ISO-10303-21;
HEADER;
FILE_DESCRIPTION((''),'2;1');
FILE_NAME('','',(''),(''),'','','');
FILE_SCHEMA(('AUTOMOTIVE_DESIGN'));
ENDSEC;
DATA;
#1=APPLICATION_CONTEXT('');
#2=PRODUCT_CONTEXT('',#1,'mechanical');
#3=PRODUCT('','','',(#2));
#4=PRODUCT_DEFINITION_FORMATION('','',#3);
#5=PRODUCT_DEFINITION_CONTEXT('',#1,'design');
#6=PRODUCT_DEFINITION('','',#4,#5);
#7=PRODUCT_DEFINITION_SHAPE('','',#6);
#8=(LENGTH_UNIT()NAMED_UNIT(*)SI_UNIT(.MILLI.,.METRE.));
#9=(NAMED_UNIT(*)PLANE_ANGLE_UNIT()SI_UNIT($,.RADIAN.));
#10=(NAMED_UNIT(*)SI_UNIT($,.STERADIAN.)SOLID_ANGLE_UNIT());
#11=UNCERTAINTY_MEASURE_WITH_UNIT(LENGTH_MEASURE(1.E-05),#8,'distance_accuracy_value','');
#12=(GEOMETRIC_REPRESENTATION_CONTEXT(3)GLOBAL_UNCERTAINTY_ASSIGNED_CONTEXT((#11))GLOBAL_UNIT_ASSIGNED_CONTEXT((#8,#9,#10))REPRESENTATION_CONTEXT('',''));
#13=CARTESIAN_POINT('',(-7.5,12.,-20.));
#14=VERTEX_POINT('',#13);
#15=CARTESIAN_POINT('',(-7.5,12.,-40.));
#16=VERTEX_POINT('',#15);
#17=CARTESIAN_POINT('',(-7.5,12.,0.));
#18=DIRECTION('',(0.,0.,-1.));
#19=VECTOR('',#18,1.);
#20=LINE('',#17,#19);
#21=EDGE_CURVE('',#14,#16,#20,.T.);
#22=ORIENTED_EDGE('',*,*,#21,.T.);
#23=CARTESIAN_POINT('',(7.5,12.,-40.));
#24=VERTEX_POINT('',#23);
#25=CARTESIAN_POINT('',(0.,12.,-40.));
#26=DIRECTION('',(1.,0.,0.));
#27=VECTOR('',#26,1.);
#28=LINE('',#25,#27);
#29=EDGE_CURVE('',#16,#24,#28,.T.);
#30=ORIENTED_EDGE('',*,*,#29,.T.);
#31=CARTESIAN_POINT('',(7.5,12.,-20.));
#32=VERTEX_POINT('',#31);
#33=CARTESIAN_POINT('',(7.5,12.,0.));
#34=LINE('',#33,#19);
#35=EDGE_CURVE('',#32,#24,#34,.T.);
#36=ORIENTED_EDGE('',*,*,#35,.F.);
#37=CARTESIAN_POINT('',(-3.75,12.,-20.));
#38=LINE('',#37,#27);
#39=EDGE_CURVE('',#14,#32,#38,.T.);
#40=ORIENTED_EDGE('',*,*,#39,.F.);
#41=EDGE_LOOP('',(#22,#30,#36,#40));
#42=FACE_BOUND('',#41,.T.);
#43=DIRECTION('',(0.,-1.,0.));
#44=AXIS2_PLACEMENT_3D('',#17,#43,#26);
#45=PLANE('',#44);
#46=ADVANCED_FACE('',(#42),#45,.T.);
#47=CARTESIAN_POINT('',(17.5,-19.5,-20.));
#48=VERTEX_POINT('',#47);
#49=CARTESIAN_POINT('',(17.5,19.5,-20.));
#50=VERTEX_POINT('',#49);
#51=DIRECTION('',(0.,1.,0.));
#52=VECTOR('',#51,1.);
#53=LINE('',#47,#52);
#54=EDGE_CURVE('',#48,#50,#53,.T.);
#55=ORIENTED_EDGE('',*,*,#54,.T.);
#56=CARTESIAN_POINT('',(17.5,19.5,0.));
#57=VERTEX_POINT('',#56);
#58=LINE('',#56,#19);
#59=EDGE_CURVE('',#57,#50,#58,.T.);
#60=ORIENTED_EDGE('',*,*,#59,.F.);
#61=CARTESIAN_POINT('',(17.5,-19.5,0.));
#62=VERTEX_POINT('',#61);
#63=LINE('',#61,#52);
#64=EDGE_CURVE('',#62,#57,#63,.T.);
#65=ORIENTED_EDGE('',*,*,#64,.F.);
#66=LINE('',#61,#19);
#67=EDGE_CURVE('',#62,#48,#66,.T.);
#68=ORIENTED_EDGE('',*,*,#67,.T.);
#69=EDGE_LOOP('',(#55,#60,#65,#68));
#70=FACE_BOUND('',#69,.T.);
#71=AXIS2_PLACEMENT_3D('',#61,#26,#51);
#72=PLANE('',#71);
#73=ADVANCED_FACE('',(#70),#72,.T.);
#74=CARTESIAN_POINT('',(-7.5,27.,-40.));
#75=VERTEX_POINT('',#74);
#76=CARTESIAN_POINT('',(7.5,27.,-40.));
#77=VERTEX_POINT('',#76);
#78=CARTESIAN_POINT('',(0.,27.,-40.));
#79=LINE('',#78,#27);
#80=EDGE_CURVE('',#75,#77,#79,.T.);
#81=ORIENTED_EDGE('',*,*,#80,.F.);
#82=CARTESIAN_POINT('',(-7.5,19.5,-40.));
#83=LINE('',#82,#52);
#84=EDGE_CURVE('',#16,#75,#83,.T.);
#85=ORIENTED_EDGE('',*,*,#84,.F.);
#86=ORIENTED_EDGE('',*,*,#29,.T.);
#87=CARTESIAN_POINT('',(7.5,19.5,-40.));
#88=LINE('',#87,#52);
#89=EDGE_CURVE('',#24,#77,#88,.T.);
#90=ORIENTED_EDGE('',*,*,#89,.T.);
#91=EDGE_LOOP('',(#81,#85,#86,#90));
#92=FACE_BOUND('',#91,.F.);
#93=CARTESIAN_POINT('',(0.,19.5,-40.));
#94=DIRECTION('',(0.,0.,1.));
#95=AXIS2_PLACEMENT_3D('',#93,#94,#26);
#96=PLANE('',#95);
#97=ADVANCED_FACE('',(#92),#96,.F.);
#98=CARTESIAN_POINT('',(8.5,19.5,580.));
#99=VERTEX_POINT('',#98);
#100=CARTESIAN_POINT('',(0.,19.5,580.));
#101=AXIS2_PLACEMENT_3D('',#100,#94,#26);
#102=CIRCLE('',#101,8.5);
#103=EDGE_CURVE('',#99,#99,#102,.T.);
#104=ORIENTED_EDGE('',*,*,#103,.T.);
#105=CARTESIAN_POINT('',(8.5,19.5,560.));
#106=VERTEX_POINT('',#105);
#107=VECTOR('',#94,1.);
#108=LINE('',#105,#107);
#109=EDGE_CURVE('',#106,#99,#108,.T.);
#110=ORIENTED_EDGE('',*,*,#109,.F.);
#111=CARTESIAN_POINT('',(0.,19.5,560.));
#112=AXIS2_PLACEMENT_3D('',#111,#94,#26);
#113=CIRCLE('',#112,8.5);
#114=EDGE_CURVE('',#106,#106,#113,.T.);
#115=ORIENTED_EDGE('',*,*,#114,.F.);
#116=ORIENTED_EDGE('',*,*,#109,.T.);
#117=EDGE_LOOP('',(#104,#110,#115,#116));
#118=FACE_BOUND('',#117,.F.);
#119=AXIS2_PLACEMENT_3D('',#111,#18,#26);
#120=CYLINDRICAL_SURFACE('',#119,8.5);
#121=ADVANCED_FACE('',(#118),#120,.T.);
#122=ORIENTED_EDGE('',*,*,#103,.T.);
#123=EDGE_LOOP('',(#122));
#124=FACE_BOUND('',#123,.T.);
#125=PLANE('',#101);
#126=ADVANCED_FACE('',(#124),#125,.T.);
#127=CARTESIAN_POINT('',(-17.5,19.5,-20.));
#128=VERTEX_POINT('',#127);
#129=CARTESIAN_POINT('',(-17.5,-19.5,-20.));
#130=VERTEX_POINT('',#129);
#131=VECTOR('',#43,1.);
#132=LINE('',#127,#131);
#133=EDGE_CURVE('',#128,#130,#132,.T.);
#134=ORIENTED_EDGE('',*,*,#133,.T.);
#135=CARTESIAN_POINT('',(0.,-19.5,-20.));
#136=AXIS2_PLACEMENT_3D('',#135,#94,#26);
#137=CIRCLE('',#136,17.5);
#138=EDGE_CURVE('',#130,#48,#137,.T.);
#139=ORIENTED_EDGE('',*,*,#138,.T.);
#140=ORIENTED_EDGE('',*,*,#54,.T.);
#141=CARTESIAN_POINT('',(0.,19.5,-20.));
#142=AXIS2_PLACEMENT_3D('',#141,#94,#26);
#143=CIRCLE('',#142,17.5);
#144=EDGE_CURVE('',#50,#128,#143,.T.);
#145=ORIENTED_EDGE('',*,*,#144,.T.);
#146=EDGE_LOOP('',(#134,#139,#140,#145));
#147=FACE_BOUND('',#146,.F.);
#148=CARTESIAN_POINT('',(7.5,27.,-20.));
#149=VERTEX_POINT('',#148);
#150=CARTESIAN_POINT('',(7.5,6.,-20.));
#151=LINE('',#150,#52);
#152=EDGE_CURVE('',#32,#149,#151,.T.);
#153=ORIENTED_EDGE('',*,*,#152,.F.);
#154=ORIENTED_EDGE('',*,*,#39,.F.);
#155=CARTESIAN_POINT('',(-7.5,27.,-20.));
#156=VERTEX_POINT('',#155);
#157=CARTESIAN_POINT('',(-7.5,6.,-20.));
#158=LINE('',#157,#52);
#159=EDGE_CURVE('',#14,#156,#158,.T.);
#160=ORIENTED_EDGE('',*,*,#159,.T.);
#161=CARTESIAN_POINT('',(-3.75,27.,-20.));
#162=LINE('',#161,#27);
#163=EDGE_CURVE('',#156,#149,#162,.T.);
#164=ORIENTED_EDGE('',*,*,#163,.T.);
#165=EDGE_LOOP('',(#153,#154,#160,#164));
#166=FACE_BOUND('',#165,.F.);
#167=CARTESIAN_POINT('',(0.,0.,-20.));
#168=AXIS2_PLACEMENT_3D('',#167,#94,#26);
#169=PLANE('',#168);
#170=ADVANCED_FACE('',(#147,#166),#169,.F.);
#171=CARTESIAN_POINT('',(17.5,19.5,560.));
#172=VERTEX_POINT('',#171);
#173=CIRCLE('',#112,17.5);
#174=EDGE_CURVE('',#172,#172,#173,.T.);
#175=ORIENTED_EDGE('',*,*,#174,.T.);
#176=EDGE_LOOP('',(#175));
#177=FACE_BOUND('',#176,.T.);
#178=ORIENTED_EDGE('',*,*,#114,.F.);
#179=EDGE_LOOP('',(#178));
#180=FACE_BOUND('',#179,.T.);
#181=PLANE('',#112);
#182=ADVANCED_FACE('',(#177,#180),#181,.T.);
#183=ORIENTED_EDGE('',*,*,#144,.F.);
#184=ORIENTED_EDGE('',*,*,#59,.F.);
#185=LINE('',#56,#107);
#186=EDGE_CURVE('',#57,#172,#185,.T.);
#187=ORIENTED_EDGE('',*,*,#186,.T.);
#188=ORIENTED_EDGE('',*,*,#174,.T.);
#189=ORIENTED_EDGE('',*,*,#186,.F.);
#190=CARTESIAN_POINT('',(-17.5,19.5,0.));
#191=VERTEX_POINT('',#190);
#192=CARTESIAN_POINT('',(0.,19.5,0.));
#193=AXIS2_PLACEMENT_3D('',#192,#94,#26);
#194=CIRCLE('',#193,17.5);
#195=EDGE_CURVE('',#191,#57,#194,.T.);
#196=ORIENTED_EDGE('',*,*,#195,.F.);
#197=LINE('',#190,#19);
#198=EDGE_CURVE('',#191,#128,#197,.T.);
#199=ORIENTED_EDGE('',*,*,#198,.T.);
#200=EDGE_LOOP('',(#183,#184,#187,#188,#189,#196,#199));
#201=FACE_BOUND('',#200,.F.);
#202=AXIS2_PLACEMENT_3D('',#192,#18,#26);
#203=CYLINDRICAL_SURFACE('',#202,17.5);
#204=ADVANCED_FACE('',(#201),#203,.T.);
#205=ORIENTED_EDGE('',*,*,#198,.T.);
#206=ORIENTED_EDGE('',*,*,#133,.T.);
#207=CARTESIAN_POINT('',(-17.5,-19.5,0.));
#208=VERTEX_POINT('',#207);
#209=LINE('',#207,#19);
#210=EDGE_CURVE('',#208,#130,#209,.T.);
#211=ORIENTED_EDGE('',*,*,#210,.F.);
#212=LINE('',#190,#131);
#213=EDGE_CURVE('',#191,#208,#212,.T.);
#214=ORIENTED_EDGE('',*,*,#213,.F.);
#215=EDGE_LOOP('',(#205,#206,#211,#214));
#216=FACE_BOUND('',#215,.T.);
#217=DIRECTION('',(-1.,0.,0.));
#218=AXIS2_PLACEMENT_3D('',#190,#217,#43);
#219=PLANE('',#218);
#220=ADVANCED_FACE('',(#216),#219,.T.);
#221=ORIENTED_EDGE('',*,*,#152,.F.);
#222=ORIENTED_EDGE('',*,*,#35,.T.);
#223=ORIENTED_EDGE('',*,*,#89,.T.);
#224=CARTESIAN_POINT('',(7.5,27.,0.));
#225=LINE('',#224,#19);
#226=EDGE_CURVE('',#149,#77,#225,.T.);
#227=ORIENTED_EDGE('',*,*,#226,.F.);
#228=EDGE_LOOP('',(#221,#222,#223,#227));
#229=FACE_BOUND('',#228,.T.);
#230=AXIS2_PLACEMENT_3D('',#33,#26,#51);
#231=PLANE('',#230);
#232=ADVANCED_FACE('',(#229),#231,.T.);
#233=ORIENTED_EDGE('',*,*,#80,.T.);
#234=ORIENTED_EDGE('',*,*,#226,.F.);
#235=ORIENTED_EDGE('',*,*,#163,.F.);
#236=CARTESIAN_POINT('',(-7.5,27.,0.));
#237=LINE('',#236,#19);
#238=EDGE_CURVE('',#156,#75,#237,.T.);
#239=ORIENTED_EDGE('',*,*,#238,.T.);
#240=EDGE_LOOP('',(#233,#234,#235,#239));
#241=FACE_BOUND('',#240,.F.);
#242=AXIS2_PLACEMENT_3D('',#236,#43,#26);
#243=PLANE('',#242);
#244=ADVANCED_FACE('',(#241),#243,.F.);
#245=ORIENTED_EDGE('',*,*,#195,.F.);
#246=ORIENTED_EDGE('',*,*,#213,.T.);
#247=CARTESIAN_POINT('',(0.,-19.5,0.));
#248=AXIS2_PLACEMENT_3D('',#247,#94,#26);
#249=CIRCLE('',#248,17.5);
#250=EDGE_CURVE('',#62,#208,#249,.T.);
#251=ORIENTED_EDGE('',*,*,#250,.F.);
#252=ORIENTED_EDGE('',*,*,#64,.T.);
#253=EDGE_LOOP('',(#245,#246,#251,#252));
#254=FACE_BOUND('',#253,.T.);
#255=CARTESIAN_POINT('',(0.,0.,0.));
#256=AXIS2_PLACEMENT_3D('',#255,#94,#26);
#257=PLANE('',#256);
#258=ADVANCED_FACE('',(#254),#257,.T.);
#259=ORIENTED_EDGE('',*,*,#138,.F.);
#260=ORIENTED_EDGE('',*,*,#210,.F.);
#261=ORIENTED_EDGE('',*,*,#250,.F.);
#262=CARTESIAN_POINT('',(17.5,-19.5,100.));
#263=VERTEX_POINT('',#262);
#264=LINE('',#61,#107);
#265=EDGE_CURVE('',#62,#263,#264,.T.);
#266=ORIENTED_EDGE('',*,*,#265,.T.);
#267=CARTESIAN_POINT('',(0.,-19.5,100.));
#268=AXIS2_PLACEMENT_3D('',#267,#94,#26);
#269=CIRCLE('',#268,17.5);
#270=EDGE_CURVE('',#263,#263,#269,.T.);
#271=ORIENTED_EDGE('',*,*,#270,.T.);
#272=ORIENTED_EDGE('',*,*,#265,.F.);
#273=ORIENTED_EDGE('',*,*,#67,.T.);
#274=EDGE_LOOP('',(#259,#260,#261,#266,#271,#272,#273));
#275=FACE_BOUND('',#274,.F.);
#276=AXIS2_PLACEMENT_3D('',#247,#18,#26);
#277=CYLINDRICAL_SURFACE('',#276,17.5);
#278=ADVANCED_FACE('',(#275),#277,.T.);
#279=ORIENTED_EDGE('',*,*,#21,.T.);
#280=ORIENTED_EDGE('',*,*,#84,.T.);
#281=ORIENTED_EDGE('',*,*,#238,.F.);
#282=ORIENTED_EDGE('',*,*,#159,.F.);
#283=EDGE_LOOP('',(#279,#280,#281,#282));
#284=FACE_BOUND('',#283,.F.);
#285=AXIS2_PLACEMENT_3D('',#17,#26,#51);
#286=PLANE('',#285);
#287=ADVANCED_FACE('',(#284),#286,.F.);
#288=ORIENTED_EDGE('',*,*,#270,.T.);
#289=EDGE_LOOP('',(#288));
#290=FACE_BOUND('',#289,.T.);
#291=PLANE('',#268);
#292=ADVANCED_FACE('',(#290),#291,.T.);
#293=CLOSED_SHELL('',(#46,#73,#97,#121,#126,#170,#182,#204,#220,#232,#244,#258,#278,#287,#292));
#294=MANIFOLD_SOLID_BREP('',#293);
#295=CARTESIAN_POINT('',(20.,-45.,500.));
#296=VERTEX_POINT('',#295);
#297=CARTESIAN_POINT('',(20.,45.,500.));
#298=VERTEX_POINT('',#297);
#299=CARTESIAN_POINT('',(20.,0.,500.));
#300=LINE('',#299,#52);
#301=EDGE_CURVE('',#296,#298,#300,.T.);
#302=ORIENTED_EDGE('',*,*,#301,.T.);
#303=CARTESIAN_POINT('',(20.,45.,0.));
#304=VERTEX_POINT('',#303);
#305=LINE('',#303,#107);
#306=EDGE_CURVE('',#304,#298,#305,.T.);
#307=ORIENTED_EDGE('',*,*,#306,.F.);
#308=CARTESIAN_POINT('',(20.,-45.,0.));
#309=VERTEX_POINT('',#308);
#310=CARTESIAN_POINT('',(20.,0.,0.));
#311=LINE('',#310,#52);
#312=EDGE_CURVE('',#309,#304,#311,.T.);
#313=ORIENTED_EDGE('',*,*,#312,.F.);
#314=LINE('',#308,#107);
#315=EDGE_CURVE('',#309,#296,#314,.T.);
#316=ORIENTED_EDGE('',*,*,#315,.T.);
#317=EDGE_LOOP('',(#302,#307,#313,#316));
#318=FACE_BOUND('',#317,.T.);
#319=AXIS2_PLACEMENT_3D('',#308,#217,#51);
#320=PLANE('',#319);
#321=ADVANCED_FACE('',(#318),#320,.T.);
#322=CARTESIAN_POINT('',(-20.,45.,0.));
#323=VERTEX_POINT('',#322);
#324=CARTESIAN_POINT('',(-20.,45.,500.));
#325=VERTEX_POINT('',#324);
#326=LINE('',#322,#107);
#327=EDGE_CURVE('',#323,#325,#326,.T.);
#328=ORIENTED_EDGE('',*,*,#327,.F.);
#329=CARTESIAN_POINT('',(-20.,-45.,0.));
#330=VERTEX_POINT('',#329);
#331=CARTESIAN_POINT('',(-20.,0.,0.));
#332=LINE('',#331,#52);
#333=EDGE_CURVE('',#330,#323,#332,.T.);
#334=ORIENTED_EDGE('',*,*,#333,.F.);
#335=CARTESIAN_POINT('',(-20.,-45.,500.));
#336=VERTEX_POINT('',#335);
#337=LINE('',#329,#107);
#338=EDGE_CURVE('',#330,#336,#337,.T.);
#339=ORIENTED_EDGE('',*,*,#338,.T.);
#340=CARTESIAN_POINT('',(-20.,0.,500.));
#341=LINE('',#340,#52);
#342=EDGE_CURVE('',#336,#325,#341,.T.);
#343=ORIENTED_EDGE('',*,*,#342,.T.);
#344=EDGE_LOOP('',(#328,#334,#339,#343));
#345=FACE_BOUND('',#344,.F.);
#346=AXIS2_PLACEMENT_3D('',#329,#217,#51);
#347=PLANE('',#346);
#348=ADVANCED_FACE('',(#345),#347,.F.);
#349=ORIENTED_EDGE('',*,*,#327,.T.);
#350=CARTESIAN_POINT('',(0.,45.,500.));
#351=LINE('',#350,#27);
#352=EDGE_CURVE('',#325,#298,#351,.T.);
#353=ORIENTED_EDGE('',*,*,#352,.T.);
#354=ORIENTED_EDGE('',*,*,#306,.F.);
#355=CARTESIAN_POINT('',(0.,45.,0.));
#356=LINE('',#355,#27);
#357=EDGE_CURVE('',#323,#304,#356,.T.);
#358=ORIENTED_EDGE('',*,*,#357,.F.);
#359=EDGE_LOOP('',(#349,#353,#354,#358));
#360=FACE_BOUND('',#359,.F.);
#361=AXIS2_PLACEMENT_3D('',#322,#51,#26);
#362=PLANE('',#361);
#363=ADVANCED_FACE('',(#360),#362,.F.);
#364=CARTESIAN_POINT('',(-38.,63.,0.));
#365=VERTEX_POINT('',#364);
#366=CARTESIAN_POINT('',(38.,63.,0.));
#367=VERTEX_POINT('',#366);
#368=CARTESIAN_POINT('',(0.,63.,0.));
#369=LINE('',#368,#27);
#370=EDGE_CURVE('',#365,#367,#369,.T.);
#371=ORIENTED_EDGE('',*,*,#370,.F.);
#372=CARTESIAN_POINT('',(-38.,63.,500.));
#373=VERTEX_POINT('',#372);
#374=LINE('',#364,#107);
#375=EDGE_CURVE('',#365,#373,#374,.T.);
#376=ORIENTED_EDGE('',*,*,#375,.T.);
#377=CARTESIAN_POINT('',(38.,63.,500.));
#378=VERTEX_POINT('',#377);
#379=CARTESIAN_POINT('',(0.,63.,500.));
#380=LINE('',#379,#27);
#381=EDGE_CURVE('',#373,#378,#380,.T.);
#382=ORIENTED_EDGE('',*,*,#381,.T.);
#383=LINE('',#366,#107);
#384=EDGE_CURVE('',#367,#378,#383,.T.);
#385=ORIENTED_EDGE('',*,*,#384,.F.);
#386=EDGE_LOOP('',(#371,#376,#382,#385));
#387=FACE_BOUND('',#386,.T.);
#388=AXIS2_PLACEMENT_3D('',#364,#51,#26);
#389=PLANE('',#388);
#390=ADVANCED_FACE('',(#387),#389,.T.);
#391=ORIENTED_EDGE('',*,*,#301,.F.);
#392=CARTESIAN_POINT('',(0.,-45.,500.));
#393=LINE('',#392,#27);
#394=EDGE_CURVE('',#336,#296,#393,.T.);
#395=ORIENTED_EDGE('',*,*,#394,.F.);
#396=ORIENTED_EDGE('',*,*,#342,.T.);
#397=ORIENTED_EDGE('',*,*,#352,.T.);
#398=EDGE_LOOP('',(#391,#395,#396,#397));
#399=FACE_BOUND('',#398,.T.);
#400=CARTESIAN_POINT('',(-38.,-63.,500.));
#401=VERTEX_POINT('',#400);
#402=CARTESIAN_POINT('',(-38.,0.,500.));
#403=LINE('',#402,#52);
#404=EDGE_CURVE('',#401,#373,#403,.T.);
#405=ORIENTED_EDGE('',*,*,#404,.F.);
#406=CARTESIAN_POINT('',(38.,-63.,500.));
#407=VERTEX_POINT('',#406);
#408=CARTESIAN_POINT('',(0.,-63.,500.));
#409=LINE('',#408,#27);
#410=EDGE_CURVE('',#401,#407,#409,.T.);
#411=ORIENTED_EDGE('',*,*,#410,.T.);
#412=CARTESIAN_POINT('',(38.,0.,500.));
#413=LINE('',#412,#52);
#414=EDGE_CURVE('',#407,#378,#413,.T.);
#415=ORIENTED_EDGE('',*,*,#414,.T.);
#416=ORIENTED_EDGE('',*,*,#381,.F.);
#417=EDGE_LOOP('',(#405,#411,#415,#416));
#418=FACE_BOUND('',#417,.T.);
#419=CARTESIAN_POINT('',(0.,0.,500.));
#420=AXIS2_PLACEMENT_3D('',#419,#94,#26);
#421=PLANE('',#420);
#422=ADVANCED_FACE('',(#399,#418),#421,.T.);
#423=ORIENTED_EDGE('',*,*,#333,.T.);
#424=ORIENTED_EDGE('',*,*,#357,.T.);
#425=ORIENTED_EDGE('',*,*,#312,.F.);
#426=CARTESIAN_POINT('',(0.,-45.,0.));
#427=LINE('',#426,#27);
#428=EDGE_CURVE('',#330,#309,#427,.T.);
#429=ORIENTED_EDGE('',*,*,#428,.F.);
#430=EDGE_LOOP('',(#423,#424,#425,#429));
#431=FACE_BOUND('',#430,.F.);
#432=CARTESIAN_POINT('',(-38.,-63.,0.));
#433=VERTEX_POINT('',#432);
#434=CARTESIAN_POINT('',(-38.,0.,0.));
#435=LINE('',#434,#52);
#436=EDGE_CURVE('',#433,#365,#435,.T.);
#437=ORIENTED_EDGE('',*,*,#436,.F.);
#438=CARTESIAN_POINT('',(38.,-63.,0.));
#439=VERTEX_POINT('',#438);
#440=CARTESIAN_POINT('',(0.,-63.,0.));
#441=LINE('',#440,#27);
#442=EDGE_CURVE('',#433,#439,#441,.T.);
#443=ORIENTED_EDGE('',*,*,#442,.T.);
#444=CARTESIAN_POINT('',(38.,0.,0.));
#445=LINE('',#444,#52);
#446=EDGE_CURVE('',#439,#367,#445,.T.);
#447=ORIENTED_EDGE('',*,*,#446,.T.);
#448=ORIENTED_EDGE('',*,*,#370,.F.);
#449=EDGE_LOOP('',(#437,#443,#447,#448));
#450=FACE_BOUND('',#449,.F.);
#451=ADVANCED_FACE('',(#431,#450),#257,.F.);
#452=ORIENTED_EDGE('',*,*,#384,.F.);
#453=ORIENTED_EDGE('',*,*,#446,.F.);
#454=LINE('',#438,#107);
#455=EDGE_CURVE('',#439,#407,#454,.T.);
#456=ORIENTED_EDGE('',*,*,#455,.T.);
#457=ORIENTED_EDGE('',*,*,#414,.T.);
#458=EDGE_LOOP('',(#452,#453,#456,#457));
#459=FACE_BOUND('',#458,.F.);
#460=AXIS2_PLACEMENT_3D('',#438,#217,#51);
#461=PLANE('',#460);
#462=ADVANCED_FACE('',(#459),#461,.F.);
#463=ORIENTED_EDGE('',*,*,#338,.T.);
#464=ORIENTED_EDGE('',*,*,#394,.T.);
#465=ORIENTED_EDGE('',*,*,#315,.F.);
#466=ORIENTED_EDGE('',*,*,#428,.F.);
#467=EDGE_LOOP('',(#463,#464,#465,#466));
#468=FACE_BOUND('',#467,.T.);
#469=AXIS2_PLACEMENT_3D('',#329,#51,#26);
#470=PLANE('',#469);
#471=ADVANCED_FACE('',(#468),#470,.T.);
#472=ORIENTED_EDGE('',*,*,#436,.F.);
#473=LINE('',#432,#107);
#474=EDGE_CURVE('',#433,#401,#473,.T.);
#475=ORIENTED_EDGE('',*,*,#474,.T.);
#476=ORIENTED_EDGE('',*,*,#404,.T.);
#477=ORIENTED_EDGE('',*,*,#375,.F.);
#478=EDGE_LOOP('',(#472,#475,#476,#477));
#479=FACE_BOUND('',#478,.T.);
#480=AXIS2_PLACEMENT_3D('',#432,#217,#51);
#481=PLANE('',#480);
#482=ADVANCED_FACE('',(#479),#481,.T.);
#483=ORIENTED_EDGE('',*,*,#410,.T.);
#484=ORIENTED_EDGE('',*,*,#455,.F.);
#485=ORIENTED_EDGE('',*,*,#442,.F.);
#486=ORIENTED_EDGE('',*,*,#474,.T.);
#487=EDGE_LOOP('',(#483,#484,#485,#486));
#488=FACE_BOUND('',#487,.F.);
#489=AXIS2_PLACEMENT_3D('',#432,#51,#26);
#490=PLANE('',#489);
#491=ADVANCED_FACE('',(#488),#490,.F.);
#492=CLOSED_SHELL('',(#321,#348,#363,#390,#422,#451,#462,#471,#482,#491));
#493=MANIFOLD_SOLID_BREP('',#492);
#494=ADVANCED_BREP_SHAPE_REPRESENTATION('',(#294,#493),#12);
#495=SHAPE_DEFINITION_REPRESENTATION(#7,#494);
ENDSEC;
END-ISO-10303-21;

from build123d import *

# Parameters (mm, degrees)
F1_W     = 15
F1_H     = 15
F2_DEPTH = 20
F3_DEPTH = 100
F4_DEPTH = 560
F5_DEPTH = 40
F6_R     = 8.5
F7_DEPTH = 20
F0_W     = 76
F0_H     = 126
F0_W_2   = 40
F0_H_2   = 90
F8_DEPTH = 500


with BuildPart() as f2:
    # F1 (on Top) → F2 (new body)
    with BuildSketch(Plane.XY):
        with BuildLine():
            ThreePointArc((-17.5, -19.5), (0, -2), (17.5, -19.5))
            Line((17.5, -19.5), (17.5, 19.5))
            ThreePointArc((17.5, 19.5), (0, 2), (-17.5, 19.5))
            Line((-17.5, 19.5), (-17.5, -19.5))
        make_face()
        with BuildLine():
            ThreePointArc((-17.5, 19.5), (0, 2), (17.5, 19.5))
            ThreePointArc((17.5, 19.5), (0, 37), (-17.5, 19.5))
        make_face()
        with Locations((0, 19.5)):
            Rectangle(F1_W, F1_H, mode=Mode.SUBTRACT)
        with BuildLine():
            ThreePointArc((-17.5, -19.5), (0, -37), (17.5, -19.5))
            ThreePointArc((17.5, -19.5), (0, -2), (-17.5, -19.5))
        make_face()
        with Locations((0, 19.5)):
            Rectangle(F1_W, F1_H)
    extrude(amount=-F2_DEPTH)

    # F1 (on Top) → F3 (join)
    with BuildSketch(Plane.XY):
        with BuildLine():
            ThreePointArc((-17.5, -19.5), (0, -37), (17.5, -19.5))
            ThreePointArc((17.5, -19.5), (0, -2), (-17.5, -19.5))
        make_face()
    extrude(amount=F3_DEPTH)

    # F1 (on Top) → F4 (join)
    with BuildSketch(Plane.XY):
        with BuildLine():
            ThreePointArc((-17.5, 19.5), (0, 2), (17.5, 19.5))
            ThreePointArc((17.5, 19.5), (0, 37), (-17.5, 19.5))
        make_face()
        with Locations((0, 19.5)):
            Rectangle(F1_W, F1_H, mode=Mode.SUBTRACT)
        with Locations((0, 19.5)):
            Rectangle(F1_W, F1_H)
    extrude(amount=F4_DEPTH)

    # F1 (on Top) → F5 (join)
    with BuildSketch(Plane.XY):
        with Locations((0, 19.5)):
            Rectangle(F1_W, F1_H)
    extrude(amount=-F5_DEPTH)

    # F6 (on face) → F7 (join)
    with BuildSketch(Plane.XY.offset(560)):
        with Locations((0, 19.5)):
            Circle(F6_R)
    extrude(amount=F7_DEPTH)


with BuildPart() as f8:
    # F0 (on Top) → F8 (new body)
    with BuildSketch(Plane.XY):
        Rectangle(F0_W, F0_H)
        Rectangle(F0_W_2, F0_H_2, mode=Mode.SUBTRACT)
    extrude(amount=F8_DEPTH)


solid = Compound([f2.part, f8.part])
